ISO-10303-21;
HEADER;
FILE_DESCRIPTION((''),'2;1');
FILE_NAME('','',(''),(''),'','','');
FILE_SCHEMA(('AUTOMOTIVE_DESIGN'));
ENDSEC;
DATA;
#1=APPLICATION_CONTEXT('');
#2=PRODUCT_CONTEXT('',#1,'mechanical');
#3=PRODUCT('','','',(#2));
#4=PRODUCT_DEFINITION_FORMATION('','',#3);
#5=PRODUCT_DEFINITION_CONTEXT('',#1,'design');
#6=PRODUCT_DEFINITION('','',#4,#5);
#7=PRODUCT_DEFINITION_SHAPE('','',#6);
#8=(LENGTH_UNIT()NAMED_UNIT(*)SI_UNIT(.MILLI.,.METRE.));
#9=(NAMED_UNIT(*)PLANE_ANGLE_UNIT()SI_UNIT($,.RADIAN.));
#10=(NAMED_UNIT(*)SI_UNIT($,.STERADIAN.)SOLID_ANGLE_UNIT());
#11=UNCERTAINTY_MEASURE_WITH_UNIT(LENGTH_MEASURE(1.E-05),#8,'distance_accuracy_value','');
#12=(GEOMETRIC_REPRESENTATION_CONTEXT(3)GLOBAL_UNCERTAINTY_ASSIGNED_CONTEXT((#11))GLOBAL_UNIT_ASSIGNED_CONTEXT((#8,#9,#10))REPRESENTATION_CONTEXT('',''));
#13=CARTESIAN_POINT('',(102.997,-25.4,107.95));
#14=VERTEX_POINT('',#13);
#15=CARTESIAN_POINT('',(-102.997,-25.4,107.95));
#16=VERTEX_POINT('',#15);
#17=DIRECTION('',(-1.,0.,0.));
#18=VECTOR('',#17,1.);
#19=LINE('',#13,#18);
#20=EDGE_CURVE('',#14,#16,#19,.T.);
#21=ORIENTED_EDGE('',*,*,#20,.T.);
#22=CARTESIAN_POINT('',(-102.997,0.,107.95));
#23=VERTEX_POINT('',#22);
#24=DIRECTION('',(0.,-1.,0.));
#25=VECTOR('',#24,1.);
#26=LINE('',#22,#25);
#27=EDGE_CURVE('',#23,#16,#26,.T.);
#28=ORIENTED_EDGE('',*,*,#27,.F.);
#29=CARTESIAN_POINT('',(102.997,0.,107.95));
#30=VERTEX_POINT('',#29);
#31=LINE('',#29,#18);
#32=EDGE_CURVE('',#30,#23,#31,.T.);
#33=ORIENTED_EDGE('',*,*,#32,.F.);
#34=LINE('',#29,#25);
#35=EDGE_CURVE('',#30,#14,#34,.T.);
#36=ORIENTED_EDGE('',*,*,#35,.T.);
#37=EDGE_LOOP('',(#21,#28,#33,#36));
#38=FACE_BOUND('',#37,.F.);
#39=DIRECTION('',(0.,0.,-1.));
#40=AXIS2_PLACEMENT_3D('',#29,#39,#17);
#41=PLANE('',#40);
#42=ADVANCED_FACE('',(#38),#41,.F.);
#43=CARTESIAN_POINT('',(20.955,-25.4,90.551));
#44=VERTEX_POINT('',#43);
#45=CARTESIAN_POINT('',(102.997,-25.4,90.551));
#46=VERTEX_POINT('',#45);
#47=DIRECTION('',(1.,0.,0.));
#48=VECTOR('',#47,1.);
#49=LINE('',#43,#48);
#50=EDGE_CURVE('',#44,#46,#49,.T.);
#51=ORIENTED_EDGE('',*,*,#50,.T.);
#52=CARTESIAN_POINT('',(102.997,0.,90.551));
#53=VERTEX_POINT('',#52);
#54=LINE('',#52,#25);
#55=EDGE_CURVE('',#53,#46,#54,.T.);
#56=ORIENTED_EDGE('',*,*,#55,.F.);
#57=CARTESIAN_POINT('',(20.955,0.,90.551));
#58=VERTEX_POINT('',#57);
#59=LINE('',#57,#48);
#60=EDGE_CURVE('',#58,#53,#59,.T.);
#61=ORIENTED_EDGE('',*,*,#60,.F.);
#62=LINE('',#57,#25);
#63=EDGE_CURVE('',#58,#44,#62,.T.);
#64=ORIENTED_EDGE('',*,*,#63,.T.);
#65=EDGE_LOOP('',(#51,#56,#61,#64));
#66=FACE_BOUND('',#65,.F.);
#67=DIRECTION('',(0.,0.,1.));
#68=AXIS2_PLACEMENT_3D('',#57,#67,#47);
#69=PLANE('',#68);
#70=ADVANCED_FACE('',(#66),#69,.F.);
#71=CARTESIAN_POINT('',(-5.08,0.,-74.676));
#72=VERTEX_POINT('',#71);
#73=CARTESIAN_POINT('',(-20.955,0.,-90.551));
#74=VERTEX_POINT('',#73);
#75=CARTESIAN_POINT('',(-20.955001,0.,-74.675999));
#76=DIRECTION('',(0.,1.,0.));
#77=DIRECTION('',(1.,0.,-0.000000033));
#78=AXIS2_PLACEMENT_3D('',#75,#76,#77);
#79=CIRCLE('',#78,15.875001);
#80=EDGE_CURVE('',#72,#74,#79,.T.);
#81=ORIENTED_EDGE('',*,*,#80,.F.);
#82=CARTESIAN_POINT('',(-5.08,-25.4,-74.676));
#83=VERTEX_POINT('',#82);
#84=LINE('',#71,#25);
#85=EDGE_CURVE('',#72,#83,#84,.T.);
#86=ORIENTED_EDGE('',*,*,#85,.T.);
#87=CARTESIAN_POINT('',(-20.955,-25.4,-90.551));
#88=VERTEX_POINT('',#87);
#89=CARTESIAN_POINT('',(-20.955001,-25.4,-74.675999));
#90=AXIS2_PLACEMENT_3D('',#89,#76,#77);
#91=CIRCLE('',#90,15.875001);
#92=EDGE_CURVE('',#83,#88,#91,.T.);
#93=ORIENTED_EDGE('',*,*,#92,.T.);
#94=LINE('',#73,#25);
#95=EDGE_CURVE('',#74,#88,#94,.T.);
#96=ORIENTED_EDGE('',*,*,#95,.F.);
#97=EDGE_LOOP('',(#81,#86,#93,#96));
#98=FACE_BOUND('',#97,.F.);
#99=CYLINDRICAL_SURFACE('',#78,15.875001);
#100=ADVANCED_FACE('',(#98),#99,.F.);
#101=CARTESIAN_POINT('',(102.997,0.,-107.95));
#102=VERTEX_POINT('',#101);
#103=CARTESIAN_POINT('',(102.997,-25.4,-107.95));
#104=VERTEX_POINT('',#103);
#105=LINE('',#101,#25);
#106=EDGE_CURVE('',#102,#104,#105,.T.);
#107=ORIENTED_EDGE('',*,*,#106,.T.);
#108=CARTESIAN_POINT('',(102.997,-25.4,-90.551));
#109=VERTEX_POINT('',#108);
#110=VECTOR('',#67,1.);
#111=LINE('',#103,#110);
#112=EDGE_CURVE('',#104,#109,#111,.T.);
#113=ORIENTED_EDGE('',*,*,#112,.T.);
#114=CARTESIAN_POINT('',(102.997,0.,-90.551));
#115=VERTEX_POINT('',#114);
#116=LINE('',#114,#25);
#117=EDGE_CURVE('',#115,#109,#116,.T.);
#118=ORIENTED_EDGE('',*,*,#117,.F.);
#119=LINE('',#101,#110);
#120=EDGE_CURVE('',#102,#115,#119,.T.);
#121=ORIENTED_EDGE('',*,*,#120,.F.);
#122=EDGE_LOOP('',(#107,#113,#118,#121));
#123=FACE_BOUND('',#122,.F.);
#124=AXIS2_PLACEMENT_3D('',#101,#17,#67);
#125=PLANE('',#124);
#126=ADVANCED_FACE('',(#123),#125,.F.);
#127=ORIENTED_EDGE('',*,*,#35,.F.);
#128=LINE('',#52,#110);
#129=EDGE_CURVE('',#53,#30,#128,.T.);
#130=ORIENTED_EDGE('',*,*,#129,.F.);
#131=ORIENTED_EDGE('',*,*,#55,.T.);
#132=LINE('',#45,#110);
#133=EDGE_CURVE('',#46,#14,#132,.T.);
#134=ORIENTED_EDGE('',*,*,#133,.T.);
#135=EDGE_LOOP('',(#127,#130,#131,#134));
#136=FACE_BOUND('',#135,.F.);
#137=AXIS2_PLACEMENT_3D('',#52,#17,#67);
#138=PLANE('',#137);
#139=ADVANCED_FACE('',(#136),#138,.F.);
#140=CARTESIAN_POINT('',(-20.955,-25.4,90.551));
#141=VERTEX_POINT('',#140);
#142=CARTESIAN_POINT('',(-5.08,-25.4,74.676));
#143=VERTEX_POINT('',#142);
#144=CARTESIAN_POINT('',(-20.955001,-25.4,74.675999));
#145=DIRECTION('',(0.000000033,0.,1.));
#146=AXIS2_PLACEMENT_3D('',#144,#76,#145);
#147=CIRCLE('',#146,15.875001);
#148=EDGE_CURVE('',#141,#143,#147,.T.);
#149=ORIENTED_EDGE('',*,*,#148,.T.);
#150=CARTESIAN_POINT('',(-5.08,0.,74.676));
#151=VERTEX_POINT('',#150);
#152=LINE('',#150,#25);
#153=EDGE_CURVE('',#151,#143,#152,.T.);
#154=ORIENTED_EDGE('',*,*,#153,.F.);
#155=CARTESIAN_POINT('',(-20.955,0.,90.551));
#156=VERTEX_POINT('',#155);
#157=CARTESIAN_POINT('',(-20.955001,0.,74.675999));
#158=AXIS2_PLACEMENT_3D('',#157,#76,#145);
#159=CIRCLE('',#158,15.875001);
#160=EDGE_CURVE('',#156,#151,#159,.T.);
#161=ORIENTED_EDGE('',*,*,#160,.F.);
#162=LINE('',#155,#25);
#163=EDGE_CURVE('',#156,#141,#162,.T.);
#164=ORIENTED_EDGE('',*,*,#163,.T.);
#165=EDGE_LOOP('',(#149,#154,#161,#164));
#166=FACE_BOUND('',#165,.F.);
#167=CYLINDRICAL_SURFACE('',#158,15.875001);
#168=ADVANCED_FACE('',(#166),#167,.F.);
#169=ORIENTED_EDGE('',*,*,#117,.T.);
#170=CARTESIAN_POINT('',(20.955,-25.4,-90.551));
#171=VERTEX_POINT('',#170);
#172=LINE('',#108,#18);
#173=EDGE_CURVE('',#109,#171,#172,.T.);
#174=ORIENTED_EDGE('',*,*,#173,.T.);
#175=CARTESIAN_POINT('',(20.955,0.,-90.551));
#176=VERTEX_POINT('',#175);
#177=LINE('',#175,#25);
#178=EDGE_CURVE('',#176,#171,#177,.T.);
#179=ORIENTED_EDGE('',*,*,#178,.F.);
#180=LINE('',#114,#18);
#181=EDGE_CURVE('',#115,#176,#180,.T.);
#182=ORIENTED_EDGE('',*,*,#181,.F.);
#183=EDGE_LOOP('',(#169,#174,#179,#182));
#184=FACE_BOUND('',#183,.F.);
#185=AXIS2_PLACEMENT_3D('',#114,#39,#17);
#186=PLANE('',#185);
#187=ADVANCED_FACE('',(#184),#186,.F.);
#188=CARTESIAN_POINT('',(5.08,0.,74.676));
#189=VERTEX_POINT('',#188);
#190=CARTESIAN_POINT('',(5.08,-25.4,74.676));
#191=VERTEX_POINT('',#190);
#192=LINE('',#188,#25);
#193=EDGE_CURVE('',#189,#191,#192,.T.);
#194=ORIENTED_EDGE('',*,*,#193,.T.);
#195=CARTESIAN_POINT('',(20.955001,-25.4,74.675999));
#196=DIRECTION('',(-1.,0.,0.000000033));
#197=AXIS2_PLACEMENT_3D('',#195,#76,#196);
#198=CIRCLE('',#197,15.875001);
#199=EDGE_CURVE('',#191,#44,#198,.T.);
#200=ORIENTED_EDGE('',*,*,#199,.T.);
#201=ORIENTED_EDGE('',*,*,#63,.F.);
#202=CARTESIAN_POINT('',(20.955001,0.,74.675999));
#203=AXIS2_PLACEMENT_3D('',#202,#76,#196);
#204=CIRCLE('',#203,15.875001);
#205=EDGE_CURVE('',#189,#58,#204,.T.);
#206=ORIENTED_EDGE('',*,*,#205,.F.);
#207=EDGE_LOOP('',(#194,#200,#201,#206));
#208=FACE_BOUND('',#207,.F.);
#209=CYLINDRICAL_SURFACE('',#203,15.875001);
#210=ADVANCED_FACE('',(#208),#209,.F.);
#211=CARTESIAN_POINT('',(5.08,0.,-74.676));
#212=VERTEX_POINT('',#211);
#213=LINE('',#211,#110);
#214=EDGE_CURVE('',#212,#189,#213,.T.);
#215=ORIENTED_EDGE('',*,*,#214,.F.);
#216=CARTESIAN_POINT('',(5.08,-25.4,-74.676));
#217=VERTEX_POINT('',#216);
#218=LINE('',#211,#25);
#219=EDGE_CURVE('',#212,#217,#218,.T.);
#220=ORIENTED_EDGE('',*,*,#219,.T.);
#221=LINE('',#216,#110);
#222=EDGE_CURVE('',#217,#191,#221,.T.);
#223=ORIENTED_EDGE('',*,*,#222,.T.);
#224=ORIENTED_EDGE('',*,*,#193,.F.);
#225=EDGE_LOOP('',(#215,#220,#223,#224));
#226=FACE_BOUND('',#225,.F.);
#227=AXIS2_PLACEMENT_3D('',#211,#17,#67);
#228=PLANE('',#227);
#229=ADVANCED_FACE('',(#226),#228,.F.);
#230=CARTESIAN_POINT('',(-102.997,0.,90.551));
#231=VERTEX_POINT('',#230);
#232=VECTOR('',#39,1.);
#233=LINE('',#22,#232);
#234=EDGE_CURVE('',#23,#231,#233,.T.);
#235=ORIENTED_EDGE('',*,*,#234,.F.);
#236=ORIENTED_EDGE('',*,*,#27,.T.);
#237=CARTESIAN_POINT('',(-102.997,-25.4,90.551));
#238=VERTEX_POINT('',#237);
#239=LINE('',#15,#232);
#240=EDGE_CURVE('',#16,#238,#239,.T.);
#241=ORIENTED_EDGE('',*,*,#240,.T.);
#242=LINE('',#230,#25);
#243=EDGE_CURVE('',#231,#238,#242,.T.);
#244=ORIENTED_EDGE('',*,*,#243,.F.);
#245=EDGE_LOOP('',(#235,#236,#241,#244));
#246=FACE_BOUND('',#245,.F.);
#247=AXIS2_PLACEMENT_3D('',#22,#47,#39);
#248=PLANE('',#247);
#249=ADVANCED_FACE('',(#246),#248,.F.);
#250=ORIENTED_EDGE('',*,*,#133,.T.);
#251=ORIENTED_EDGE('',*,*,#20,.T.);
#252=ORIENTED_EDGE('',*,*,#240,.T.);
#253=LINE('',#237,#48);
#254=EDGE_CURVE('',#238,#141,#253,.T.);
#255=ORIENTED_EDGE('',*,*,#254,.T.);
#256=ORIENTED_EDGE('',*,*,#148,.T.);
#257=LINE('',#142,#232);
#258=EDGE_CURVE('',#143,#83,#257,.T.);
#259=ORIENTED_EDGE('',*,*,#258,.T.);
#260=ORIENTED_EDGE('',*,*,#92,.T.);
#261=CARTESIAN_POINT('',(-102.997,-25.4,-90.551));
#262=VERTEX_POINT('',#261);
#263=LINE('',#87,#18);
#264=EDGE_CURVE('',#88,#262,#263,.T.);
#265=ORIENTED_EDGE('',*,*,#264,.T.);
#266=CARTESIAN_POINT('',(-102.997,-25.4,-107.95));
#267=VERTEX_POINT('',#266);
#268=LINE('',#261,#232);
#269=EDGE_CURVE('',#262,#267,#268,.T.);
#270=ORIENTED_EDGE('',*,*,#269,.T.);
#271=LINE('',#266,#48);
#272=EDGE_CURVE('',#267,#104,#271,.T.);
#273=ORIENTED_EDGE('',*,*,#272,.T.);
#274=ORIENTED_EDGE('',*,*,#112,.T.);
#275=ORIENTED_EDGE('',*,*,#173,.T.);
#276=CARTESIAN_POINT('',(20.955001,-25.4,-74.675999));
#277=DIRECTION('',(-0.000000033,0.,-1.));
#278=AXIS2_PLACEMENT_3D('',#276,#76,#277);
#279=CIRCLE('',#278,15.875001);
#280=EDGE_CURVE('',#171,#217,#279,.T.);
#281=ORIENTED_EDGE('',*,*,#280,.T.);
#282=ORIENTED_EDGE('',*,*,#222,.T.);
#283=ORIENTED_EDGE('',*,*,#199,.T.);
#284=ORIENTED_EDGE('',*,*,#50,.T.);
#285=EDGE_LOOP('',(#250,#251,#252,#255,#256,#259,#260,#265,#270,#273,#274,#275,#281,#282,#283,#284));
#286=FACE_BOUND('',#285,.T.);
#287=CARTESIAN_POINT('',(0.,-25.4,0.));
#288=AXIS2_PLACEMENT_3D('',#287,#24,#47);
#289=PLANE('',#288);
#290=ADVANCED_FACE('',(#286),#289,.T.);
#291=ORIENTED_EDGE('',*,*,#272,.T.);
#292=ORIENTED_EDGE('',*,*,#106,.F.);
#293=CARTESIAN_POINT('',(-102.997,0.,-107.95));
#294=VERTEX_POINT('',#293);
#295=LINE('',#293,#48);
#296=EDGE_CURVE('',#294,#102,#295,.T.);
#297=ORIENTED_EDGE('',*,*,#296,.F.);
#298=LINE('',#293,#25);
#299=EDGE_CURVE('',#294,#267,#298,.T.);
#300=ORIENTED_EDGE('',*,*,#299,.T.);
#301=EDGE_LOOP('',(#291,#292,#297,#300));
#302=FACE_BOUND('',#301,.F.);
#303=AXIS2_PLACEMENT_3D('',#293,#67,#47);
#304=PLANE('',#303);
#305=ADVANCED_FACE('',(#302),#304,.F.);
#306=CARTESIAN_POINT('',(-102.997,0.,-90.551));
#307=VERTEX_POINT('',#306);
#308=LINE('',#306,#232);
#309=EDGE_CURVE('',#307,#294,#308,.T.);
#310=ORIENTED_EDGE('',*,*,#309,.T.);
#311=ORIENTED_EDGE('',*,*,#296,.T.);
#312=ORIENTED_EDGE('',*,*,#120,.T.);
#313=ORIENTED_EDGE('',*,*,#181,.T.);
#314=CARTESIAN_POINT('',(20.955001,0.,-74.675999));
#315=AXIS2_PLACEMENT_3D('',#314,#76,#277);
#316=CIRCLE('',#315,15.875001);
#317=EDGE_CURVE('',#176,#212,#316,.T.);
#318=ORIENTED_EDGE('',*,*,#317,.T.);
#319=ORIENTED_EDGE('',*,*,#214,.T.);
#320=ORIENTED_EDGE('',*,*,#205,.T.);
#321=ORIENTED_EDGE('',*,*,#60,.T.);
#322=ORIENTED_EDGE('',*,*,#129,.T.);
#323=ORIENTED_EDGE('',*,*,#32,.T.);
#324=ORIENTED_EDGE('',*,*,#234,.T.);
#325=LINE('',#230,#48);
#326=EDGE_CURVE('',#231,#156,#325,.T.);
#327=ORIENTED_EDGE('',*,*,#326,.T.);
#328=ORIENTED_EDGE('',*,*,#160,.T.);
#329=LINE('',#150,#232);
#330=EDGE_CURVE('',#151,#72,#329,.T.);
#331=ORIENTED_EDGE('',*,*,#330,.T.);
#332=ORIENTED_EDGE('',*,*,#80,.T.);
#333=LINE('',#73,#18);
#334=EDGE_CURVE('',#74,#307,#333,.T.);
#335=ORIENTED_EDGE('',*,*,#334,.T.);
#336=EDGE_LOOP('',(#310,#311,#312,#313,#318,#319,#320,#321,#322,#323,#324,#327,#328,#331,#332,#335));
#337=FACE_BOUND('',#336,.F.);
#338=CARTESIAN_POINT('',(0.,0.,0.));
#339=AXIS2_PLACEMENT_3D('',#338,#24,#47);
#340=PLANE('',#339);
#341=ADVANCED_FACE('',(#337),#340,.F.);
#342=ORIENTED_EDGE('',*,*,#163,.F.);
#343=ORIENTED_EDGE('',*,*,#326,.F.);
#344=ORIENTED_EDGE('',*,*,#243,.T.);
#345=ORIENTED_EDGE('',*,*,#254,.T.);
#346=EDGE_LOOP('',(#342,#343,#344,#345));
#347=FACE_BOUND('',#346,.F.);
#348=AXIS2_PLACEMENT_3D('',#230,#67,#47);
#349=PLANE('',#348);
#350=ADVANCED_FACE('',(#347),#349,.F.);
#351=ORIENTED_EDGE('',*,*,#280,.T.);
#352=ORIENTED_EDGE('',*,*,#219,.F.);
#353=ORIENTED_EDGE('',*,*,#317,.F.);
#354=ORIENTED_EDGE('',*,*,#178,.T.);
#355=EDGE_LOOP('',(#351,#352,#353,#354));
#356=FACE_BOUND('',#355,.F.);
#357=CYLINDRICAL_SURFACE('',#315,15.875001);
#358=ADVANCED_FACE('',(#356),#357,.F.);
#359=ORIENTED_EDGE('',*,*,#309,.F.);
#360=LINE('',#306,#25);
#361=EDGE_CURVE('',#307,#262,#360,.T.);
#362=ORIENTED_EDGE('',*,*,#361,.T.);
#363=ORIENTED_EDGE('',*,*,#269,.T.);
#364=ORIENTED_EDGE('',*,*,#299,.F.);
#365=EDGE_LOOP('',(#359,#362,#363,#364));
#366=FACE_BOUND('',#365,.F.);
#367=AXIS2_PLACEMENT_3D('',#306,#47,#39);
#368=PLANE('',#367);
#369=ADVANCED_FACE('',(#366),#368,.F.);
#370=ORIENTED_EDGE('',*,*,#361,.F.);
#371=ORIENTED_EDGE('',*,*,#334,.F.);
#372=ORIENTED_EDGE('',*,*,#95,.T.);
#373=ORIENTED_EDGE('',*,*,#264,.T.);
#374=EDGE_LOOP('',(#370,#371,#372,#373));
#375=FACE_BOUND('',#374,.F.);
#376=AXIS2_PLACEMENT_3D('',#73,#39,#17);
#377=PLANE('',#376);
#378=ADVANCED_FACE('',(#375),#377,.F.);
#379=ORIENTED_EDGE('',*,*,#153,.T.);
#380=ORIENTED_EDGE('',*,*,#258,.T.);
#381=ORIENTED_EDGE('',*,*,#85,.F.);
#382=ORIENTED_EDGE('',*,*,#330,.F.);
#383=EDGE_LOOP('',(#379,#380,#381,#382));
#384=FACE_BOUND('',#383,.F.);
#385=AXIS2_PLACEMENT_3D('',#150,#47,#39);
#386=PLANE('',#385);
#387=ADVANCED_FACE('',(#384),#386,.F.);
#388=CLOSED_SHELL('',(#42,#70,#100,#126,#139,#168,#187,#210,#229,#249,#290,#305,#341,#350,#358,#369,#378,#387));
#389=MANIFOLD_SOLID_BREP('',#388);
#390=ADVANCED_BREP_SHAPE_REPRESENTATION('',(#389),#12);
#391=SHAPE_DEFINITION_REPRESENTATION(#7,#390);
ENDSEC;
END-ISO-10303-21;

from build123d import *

# Parameters (mm, degrees)
F1_DEPTH = 25.4


with BuildPart() as f1:
    # F0 (on Front) → F1 (new body)
    with BuildSketch(Plane.XZ):
        with BuildLine():
            Line((102.997, 107.95), (-102.997, 107.95))
            Line((-102.997, 107.95), (-102.997, 90.551))
            Line((-102.997, 90.551), (-20.955, 90.551))
            ThreePointArc((-20.955, 90.551), (-9.72968, 85.90132), (-5.08, 74.676))
            Line((-5.08, 74.676), (-5.08, -74.676))
            ThreePointArc((-5.08, -74.676), (-9.72968, -85.90132), (-20.955, -90.551))
            Line((-20.955, -90.551), (-102.997, -90.551))
            Line((-102.997, -90.551), (-102.997, -107.95))
            Line((-102.997, -107.95), (102.997, -107.95))
            Line((102.997, -107.95), (102.997, -90.551))
            Line((102.997, -90.551), (20.955, -90.551))
            ThreePointArc((20.955, -90.551), (9.72968, -85.90132), (5.08, -74.676))
            Line((5.08, -74.676), (5.08, 74.676))
            ThreePointArc((5.08, 74.676), (9.72968, 85.90132), (20.955, 90.551))
            Line((20.955, 90.551), (102.997, 90.551))
            Line((102.997, 90.551), (102.997, 107.95))
        make_face()
    extrude(amount=F1_DEPTH)


solid = f1.part
